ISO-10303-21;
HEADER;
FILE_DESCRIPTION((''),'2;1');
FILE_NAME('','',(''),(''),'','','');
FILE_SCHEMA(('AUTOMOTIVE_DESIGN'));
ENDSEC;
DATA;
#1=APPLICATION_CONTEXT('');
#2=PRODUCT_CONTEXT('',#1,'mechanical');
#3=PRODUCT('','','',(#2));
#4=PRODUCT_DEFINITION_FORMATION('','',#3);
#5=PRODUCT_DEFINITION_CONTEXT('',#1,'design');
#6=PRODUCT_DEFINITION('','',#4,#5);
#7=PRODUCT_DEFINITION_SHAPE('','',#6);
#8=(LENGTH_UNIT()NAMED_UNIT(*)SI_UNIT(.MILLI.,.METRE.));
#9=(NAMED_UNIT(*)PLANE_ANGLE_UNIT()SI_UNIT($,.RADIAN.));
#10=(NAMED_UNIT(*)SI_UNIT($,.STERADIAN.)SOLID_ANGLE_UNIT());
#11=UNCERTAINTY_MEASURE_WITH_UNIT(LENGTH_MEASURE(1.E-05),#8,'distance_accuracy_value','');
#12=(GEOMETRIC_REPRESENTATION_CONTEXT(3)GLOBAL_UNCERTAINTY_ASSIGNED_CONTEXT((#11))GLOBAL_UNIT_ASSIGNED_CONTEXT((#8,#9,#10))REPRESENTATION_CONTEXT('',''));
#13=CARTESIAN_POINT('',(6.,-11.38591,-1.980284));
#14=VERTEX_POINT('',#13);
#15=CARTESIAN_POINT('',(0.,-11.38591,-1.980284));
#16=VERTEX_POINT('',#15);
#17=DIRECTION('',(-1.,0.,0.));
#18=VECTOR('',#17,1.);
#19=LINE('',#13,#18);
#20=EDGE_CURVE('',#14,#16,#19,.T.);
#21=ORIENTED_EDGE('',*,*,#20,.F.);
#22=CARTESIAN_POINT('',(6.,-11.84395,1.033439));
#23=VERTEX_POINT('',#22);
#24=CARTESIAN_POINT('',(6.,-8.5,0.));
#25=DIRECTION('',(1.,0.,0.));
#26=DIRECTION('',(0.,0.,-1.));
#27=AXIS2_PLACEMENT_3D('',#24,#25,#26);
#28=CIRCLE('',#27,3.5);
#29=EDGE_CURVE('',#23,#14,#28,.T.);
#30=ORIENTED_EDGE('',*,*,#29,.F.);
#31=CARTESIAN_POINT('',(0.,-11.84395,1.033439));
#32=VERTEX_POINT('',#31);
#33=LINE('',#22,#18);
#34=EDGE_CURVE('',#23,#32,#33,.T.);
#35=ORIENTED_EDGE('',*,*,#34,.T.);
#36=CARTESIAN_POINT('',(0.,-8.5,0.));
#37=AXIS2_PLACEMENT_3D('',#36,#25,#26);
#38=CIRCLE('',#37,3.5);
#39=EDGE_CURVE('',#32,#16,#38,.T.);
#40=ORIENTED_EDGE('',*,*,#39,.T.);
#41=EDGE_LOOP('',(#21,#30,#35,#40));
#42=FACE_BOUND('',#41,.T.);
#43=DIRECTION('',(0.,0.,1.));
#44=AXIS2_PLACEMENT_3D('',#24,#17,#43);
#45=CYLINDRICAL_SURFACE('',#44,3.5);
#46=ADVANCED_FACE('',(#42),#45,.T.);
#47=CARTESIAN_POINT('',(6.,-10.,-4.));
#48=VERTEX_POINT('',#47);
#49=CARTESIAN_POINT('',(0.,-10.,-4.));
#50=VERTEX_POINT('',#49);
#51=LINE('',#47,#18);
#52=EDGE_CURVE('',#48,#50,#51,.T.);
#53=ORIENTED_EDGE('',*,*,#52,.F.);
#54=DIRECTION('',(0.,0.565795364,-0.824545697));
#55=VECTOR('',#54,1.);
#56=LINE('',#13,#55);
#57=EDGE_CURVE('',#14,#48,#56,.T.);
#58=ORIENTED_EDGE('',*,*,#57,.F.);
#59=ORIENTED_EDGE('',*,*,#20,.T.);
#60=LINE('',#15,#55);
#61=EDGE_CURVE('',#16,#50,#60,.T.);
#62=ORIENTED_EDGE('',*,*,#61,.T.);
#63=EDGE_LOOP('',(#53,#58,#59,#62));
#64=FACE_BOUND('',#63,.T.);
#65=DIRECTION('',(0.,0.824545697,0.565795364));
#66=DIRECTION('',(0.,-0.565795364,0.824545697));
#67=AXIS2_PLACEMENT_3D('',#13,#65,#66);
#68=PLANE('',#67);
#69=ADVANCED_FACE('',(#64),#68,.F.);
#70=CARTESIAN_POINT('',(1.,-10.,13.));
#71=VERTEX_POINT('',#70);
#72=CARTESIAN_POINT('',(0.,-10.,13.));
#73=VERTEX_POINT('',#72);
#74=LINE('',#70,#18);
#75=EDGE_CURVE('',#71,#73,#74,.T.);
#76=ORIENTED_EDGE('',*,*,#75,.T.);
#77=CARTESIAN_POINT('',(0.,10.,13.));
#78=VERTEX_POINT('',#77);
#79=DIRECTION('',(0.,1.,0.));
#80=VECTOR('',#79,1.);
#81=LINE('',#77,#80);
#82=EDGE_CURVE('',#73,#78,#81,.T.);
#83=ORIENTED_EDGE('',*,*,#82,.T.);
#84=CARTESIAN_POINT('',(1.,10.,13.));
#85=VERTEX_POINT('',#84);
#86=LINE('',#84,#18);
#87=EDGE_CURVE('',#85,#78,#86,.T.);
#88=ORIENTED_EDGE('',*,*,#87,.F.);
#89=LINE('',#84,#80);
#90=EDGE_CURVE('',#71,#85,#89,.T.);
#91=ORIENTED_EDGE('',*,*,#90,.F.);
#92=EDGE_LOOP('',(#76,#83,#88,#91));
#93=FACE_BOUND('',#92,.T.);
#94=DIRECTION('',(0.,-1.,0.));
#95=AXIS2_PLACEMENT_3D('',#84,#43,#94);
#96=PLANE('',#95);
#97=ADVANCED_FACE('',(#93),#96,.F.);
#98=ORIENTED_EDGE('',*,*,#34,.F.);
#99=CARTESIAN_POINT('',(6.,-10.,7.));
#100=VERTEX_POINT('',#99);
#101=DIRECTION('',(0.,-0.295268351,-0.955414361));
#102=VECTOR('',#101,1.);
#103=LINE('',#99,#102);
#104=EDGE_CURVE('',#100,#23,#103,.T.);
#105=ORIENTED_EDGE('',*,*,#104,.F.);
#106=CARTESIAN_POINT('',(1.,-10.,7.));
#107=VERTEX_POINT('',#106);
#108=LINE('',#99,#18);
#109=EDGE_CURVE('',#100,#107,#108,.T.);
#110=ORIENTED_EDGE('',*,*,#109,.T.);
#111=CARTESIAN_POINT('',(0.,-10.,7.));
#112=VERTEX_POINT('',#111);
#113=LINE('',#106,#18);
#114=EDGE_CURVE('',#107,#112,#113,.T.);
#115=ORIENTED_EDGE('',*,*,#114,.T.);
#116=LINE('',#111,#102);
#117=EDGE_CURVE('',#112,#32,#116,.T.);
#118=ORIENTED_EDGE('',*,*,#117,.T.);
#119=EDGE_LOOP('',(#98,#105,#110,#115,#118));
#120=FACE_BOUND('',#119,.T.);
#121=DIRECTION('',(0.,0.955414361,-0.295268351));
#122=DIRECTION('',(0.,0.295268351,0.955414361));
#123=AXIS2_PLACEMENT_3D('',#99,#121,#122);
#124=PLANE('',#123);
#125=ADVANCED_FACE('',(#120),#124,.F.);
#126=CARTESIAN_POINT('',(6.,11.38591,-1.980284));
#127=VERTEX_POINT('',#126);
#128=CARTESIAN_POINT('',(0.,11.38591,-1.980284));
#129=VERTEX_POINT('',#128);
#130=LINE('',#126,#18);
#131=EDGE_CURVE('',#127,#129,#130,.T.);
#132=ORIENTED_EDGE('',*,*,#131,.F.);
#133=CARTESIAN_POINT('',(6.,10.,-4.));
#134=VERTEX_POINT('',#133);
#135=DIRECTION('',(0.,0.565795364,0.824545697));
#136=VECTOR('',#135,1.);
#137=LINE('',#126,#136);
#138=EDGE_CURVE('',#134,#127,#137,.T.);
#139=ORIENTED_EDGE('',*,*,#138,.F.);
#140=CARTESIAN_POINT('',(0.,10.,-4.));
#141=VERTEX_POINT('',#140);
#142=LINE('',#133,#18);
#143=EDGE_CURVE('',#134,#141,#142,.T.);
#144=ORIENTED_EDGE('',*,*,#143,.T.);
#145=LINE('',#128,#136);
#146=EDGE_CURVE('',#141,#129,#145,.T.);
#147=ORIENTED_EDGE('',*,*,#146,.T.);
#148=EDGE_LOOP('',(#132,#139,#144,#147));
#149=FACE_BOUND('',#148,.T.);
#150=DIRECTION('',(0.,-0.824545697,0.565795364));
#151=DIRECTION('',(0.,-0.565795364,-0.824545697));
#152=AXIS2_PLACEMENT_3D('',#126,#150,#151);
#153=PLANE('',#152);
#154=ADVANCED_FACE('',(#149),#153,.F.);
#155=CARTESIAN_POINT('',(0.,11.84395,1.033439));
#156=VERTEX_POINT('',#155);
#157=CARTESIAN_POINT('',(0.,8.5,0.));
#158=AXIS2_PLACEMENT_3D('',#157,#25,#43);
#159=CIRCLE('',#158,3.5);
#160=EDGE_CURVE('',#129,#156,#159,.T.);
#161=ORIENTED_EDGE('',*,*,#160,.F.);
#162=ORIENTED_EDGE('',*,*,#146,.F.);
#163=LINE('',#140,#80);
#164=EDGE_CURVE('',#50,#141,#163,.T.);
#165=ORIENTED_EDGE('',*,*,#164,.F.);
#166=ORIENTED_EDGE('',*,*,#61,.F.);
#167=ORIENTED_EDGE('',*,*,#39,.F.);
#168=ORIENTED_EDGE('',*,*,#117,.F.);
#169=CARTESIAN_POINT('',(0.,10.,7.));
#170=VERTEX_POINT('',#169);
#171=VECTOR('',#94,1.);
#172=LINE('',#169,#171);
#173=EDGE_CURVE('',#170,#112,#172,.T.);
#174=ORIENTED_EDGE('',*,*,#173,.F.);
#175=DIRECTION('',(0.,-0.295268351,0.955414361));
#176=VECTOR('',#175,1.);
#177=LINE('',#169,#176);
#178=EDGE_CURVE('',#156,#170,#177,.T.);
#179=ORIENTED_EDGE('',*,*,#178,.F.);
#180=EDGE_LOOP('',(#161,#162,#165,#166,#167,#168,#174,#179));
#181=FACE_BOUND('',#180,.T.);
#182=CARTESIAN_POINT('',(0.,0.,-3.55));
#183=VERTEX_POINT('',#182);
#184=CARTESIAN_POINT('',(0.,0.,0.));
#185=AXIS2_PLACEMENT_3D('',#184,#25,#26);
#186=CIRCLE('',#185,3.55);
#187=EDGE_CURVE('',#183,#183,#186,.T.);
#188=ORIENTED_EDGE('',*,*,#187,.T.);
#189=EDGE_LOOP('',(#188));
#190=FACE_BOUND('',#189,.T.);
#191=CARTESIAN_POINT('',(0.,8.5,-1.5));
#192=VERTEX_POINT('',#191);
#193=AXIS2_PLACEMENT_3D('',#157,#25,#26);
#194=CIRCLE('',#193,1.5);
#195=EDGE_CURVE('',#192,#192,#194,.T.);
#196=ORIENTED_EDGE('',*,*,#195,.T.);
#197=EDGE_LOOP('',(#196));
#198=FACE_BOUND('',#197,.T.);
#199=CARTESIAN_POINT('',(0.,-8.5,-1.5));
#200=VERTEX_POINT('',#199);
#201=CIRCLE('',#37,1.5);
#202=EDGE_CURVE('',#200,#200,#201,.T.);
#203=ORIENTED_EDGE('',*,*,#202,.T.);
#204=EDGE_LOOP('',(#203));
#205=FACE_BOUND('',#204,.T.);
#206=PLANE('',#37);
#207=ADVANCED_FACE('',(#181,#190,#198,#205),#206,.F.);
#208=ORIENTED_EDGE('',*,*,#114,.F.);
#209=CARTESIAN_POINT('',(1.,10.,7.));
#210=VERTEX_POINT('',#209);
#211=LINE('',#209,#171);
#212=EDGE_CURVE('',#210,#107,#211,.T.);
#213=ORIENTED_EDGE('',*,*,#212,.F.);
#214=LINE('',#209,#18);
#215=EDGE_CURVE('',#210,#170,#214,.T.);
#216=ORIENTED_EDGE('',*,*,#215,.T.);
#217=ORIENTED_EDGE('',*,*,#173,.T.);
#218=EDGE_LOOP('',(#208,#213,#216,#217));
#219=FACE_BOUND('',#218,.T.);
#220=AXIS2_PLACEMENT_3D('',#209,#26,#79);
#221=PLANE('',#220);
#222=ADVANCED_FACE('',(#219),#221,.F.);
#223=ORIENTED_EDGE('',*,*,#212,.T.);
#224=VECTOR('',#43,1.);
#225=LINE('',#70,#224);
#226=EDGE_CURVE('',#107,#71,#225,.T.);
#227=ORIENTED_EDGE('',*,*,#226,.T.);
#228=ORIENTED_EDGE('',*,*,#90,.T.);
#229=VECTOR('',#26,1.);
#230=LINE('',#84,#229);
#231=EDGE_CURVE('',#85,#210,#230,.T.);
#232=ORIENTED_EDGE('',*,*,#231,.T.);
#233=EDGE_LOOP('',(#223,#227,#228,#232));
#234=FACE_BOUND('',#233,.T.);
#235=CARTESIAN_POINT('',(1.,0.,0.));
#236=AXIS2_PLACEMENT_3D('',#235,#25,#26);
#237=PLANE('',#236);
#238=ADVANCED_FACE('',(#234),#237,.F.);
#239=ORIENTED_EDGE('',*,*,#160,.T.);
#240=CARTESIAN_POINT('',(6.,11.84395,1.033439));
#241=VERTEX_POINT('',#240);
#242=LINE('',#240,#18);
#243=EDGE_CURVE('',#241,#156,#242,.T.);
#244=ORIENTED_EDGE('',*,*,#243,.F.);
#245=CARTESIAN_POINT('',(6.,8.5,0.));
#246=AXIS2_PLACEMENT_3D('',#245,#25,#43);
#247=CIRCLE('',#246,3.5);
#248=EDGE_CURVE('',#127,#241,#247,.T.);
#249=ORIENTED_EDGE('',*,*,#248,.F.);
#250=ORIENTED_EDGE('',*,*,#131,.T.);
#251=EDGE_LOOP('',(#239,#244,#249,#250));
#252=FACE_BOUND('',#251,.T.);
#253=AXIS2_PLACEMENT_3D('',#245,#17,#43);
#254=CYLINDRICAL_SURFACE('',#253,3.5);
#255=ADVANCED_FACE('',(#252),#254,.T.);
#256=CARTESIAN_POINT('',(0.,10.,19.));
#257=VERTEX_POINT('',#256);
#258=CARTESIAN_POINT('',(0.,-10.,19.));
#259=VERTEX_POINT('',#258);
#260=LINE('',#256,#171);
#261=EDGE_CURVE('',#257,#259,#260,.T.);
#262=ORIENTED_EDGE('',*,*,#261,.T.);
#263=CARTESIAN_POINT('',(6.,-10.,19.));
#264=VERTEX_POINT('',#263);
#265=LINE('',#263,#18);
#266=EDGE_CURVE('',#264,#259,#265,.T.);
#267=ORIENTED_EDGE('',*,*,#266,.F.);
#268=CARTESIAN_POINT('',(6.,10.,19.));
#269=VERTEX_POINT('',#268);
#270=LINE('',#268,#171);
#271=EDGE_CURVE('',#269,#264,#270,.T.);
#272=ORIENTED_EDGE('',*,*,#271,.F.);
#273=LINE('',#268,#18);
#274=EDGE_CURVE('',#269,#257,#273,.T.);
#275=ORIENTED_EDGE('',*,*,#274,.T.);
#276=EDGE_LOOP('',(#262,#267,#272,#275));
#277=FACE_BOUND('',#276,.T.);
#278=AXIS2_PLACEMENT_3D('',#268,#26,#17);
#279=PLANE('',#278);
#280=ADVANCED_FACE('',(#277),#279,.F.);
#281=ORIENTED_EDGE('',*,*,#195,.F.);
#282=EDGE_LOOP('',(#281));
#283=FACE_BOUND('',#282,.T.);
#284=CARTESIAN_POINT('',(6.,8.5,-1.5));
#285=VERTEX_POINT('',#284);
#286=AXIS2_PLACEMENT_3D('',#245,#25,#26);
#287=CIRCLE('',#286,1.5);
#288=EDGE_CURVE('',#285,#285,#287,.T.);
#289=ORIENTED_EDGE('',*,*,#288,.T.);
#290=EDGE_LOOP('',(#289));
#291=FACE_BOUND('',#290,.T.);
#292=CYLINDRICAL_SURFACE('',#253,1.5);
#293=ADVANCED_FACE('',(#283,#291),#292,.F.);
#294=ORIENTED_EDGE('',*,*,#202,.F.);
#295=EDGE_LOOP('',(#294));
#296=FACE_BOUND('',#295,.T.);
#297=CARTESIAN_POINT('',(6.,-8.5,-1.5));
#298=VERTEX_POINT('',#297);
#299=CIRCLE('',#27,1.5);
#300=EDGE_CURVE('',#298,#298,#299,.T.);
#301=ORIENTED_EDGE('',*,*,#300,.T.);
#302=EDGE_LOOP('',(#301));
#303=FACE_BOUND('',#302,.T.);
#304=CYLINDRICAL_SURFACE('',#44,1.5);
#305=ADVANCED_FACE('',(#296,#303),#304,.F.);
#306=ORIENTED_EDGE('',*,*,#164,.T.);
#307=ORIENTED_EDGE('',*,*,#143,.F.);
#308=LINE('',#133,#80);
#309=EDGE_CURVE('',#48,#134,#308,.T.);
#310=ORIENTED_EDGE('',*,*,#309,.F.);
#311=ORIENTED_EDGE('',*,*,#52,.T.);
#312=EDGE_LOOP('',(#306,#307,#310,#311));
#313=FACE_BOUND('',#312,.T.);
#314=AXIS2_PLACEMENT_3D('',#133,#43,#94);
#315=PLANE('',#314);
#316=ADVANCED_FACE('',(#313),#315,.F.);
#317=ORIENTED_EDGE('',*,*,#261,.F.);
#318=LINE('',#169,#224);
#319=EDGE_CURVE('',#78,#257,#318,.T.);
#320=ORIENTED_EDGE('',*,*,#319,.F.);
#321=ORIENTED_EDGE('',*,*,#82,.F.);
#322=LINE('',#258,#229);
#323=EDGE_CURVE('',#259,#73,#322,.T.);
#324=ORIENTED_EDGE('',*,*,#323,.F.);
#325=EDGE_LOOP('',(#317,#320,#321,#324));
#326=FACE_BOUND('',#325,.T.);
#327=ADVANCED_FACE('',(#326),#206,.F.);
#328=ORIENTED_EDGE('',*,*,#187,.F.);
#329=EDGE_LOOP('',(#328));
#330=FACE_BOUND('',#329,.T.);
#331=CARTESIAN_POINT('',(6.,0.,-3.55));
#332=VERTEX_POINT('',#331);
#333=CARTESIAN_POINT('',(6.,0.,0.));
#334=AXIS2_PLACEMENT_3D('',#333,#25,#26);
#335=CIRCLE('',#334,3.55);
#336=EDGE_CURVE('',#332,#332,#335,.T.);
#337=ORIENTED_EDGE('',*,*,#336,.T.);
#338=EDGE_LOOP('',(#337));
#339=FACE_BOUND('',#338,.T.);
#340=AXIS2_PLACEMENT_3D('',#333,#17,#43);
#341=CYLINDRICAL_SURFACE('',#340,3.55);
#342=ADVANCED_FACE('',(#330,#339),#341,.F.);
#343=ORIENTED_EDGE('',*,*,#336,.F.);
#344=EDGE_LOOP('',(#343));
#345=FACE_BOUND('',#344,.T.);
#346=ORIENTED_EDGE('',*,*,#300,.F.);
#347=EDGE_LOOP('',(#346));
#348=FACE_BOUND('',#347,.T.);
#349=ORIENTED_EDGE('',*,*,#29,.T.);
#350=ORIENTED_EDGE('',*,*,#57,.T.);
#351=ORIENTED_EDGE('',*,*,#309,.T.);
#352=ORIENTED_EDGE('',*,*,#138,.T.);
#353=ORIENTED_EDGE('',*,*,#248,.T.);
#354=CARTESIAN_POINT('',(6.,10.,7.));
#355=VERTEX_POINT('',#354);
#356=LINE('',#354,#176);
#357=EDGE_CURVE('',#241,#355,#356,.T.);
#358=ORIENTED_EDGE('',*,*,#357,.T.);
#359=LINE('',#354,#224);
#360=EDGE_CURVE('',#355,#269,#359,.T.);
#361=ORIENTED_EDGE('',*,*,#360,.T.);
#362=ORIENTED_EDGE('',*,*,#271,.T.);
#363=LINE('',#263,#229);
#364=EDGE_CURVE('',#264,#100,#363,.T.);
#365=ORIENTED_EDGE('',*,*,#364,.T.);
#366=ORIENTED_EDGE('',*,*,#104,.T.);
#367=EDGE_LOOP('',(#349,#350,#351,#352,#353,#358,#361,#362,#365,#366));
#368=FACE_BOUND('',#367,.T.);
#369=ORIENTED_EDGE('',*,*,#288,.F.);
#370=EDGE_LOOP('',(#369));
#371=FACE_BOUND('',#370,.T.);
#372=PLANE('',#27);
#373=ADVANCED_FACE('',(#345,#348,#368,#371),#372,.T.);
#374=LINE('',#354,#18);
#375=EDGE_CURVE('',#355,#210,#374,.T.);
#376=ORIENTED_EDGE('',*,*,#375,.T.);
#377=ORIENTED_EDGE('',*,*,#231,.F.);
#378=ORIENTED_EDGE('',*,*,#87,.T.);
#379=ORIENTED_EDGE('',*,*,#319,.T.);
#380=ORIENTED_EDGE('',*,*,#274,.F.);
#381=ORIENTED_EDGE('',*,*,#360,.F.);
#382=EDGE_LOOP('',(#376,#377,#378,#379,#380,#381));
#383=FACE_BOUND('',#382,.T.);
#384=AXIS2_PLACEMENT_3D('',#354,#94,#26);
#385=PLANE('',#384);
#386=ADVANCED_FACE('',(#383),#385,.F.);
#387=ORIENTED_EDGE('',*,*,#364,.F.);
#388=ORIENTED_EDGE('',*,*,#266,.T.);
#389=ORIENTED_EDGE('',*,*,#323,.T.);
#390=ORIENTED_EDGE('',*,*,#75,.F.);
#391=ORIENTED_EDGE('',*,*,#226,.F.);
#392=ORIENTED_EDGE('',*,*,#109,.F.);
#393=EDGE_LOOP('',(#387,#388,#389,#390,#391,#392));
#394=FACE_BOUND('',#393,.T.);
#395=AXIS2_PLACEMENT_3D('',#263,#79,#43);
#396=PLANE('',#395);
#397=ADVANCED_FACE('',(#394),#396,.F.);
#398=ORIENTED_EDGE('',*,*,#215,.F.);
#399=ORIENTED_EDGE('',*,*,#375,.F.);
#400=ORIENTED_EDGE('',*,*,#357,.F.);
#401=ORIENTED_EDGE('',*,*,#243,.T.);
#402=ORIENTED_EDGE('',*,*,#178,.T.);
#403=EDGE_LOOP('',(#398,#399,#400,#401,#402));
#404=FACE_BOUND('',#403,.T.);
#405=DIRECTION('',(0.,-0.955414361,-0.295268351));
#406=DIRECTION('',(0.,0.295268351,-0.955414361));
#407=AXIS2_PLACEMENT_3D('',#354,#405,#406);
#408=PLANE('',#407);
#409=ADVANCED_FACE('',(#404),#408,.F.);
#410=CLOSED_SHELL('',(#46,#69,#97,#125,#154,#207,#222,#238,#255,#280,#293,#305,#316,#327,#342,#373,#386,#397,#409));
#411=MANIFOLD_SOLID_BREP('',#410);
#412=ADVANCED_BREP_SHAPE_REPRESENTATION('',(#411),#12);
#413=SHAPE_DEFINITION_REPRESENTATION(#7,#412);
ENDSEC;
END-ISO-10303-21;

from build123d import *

# Parameters (mm, degrees)
SKETCH1_R           = 3.55
SKETCH1_R_2         = 1.5
BOSS_EXTRUDE1_DEPTH = 6
SKETCH2_W           = 6
SKETCH2_H           = 20
CUT_EXTRUDE1_DEPTH  = 1


with BuildPart() as part:
    # Sketch1 → Boss-Extrude1 (new body)
    with BuildSketch(Plane(origin=(0, 0, 0), x_dir=(0, 0, -1), z_dir=(1, 0, 0))):
        with BuildLine():
            Line((-7, 10), (-1.033439229, 11.843950263))
            ThreePointArc((-1.033439229, 11.843950263), (0.525907674, 11.960263157), (1.980283773, 11.38590994))
            Line((1.980283773, 11.38590994), (4, 10))
            Line((4, 10), (4, -10))
            Line((4, -10), (1.980283773, -11.38590994))
            ThreePointArc((1.980283773, -11.38590994), (0.525907674, -11.960263157), (-1.033439229, -11.843950263))
            Line((-1.033439229, -11.843950263), (-7, -10))
            Line((-7, -10), (-19, -10))
            Line((-19, -10), (-19, 10))
            Line((-19, 10), (-7, 10))
        make_face()
        Circle(SKETCH1_R, mode=Mode.SUBTRACT)
        with Locations((0, -8.5)):
            Circle(SKETCH1_R_2, mode=Mode.SUBTRACT)
        with Locations((0, 8.5)):
            Circle(SKETCH1_R_2, mode=Mode.SUBTRACT)
    extrude(amount=BOSS_EXTRUDE1_DEPTH)

    # Sketch2 → Cut-Extrude1 (cut)
    with BuildSketch(Plane.ZY):
        with Locations((10, 0)):
            Rectangle(SKETCH2_W, SKETCH2_H)
    extrude(amount=-CUT_EXTRUDE1_DEPTH, mode=Mode.SUBTRACT)


solid = part.part
